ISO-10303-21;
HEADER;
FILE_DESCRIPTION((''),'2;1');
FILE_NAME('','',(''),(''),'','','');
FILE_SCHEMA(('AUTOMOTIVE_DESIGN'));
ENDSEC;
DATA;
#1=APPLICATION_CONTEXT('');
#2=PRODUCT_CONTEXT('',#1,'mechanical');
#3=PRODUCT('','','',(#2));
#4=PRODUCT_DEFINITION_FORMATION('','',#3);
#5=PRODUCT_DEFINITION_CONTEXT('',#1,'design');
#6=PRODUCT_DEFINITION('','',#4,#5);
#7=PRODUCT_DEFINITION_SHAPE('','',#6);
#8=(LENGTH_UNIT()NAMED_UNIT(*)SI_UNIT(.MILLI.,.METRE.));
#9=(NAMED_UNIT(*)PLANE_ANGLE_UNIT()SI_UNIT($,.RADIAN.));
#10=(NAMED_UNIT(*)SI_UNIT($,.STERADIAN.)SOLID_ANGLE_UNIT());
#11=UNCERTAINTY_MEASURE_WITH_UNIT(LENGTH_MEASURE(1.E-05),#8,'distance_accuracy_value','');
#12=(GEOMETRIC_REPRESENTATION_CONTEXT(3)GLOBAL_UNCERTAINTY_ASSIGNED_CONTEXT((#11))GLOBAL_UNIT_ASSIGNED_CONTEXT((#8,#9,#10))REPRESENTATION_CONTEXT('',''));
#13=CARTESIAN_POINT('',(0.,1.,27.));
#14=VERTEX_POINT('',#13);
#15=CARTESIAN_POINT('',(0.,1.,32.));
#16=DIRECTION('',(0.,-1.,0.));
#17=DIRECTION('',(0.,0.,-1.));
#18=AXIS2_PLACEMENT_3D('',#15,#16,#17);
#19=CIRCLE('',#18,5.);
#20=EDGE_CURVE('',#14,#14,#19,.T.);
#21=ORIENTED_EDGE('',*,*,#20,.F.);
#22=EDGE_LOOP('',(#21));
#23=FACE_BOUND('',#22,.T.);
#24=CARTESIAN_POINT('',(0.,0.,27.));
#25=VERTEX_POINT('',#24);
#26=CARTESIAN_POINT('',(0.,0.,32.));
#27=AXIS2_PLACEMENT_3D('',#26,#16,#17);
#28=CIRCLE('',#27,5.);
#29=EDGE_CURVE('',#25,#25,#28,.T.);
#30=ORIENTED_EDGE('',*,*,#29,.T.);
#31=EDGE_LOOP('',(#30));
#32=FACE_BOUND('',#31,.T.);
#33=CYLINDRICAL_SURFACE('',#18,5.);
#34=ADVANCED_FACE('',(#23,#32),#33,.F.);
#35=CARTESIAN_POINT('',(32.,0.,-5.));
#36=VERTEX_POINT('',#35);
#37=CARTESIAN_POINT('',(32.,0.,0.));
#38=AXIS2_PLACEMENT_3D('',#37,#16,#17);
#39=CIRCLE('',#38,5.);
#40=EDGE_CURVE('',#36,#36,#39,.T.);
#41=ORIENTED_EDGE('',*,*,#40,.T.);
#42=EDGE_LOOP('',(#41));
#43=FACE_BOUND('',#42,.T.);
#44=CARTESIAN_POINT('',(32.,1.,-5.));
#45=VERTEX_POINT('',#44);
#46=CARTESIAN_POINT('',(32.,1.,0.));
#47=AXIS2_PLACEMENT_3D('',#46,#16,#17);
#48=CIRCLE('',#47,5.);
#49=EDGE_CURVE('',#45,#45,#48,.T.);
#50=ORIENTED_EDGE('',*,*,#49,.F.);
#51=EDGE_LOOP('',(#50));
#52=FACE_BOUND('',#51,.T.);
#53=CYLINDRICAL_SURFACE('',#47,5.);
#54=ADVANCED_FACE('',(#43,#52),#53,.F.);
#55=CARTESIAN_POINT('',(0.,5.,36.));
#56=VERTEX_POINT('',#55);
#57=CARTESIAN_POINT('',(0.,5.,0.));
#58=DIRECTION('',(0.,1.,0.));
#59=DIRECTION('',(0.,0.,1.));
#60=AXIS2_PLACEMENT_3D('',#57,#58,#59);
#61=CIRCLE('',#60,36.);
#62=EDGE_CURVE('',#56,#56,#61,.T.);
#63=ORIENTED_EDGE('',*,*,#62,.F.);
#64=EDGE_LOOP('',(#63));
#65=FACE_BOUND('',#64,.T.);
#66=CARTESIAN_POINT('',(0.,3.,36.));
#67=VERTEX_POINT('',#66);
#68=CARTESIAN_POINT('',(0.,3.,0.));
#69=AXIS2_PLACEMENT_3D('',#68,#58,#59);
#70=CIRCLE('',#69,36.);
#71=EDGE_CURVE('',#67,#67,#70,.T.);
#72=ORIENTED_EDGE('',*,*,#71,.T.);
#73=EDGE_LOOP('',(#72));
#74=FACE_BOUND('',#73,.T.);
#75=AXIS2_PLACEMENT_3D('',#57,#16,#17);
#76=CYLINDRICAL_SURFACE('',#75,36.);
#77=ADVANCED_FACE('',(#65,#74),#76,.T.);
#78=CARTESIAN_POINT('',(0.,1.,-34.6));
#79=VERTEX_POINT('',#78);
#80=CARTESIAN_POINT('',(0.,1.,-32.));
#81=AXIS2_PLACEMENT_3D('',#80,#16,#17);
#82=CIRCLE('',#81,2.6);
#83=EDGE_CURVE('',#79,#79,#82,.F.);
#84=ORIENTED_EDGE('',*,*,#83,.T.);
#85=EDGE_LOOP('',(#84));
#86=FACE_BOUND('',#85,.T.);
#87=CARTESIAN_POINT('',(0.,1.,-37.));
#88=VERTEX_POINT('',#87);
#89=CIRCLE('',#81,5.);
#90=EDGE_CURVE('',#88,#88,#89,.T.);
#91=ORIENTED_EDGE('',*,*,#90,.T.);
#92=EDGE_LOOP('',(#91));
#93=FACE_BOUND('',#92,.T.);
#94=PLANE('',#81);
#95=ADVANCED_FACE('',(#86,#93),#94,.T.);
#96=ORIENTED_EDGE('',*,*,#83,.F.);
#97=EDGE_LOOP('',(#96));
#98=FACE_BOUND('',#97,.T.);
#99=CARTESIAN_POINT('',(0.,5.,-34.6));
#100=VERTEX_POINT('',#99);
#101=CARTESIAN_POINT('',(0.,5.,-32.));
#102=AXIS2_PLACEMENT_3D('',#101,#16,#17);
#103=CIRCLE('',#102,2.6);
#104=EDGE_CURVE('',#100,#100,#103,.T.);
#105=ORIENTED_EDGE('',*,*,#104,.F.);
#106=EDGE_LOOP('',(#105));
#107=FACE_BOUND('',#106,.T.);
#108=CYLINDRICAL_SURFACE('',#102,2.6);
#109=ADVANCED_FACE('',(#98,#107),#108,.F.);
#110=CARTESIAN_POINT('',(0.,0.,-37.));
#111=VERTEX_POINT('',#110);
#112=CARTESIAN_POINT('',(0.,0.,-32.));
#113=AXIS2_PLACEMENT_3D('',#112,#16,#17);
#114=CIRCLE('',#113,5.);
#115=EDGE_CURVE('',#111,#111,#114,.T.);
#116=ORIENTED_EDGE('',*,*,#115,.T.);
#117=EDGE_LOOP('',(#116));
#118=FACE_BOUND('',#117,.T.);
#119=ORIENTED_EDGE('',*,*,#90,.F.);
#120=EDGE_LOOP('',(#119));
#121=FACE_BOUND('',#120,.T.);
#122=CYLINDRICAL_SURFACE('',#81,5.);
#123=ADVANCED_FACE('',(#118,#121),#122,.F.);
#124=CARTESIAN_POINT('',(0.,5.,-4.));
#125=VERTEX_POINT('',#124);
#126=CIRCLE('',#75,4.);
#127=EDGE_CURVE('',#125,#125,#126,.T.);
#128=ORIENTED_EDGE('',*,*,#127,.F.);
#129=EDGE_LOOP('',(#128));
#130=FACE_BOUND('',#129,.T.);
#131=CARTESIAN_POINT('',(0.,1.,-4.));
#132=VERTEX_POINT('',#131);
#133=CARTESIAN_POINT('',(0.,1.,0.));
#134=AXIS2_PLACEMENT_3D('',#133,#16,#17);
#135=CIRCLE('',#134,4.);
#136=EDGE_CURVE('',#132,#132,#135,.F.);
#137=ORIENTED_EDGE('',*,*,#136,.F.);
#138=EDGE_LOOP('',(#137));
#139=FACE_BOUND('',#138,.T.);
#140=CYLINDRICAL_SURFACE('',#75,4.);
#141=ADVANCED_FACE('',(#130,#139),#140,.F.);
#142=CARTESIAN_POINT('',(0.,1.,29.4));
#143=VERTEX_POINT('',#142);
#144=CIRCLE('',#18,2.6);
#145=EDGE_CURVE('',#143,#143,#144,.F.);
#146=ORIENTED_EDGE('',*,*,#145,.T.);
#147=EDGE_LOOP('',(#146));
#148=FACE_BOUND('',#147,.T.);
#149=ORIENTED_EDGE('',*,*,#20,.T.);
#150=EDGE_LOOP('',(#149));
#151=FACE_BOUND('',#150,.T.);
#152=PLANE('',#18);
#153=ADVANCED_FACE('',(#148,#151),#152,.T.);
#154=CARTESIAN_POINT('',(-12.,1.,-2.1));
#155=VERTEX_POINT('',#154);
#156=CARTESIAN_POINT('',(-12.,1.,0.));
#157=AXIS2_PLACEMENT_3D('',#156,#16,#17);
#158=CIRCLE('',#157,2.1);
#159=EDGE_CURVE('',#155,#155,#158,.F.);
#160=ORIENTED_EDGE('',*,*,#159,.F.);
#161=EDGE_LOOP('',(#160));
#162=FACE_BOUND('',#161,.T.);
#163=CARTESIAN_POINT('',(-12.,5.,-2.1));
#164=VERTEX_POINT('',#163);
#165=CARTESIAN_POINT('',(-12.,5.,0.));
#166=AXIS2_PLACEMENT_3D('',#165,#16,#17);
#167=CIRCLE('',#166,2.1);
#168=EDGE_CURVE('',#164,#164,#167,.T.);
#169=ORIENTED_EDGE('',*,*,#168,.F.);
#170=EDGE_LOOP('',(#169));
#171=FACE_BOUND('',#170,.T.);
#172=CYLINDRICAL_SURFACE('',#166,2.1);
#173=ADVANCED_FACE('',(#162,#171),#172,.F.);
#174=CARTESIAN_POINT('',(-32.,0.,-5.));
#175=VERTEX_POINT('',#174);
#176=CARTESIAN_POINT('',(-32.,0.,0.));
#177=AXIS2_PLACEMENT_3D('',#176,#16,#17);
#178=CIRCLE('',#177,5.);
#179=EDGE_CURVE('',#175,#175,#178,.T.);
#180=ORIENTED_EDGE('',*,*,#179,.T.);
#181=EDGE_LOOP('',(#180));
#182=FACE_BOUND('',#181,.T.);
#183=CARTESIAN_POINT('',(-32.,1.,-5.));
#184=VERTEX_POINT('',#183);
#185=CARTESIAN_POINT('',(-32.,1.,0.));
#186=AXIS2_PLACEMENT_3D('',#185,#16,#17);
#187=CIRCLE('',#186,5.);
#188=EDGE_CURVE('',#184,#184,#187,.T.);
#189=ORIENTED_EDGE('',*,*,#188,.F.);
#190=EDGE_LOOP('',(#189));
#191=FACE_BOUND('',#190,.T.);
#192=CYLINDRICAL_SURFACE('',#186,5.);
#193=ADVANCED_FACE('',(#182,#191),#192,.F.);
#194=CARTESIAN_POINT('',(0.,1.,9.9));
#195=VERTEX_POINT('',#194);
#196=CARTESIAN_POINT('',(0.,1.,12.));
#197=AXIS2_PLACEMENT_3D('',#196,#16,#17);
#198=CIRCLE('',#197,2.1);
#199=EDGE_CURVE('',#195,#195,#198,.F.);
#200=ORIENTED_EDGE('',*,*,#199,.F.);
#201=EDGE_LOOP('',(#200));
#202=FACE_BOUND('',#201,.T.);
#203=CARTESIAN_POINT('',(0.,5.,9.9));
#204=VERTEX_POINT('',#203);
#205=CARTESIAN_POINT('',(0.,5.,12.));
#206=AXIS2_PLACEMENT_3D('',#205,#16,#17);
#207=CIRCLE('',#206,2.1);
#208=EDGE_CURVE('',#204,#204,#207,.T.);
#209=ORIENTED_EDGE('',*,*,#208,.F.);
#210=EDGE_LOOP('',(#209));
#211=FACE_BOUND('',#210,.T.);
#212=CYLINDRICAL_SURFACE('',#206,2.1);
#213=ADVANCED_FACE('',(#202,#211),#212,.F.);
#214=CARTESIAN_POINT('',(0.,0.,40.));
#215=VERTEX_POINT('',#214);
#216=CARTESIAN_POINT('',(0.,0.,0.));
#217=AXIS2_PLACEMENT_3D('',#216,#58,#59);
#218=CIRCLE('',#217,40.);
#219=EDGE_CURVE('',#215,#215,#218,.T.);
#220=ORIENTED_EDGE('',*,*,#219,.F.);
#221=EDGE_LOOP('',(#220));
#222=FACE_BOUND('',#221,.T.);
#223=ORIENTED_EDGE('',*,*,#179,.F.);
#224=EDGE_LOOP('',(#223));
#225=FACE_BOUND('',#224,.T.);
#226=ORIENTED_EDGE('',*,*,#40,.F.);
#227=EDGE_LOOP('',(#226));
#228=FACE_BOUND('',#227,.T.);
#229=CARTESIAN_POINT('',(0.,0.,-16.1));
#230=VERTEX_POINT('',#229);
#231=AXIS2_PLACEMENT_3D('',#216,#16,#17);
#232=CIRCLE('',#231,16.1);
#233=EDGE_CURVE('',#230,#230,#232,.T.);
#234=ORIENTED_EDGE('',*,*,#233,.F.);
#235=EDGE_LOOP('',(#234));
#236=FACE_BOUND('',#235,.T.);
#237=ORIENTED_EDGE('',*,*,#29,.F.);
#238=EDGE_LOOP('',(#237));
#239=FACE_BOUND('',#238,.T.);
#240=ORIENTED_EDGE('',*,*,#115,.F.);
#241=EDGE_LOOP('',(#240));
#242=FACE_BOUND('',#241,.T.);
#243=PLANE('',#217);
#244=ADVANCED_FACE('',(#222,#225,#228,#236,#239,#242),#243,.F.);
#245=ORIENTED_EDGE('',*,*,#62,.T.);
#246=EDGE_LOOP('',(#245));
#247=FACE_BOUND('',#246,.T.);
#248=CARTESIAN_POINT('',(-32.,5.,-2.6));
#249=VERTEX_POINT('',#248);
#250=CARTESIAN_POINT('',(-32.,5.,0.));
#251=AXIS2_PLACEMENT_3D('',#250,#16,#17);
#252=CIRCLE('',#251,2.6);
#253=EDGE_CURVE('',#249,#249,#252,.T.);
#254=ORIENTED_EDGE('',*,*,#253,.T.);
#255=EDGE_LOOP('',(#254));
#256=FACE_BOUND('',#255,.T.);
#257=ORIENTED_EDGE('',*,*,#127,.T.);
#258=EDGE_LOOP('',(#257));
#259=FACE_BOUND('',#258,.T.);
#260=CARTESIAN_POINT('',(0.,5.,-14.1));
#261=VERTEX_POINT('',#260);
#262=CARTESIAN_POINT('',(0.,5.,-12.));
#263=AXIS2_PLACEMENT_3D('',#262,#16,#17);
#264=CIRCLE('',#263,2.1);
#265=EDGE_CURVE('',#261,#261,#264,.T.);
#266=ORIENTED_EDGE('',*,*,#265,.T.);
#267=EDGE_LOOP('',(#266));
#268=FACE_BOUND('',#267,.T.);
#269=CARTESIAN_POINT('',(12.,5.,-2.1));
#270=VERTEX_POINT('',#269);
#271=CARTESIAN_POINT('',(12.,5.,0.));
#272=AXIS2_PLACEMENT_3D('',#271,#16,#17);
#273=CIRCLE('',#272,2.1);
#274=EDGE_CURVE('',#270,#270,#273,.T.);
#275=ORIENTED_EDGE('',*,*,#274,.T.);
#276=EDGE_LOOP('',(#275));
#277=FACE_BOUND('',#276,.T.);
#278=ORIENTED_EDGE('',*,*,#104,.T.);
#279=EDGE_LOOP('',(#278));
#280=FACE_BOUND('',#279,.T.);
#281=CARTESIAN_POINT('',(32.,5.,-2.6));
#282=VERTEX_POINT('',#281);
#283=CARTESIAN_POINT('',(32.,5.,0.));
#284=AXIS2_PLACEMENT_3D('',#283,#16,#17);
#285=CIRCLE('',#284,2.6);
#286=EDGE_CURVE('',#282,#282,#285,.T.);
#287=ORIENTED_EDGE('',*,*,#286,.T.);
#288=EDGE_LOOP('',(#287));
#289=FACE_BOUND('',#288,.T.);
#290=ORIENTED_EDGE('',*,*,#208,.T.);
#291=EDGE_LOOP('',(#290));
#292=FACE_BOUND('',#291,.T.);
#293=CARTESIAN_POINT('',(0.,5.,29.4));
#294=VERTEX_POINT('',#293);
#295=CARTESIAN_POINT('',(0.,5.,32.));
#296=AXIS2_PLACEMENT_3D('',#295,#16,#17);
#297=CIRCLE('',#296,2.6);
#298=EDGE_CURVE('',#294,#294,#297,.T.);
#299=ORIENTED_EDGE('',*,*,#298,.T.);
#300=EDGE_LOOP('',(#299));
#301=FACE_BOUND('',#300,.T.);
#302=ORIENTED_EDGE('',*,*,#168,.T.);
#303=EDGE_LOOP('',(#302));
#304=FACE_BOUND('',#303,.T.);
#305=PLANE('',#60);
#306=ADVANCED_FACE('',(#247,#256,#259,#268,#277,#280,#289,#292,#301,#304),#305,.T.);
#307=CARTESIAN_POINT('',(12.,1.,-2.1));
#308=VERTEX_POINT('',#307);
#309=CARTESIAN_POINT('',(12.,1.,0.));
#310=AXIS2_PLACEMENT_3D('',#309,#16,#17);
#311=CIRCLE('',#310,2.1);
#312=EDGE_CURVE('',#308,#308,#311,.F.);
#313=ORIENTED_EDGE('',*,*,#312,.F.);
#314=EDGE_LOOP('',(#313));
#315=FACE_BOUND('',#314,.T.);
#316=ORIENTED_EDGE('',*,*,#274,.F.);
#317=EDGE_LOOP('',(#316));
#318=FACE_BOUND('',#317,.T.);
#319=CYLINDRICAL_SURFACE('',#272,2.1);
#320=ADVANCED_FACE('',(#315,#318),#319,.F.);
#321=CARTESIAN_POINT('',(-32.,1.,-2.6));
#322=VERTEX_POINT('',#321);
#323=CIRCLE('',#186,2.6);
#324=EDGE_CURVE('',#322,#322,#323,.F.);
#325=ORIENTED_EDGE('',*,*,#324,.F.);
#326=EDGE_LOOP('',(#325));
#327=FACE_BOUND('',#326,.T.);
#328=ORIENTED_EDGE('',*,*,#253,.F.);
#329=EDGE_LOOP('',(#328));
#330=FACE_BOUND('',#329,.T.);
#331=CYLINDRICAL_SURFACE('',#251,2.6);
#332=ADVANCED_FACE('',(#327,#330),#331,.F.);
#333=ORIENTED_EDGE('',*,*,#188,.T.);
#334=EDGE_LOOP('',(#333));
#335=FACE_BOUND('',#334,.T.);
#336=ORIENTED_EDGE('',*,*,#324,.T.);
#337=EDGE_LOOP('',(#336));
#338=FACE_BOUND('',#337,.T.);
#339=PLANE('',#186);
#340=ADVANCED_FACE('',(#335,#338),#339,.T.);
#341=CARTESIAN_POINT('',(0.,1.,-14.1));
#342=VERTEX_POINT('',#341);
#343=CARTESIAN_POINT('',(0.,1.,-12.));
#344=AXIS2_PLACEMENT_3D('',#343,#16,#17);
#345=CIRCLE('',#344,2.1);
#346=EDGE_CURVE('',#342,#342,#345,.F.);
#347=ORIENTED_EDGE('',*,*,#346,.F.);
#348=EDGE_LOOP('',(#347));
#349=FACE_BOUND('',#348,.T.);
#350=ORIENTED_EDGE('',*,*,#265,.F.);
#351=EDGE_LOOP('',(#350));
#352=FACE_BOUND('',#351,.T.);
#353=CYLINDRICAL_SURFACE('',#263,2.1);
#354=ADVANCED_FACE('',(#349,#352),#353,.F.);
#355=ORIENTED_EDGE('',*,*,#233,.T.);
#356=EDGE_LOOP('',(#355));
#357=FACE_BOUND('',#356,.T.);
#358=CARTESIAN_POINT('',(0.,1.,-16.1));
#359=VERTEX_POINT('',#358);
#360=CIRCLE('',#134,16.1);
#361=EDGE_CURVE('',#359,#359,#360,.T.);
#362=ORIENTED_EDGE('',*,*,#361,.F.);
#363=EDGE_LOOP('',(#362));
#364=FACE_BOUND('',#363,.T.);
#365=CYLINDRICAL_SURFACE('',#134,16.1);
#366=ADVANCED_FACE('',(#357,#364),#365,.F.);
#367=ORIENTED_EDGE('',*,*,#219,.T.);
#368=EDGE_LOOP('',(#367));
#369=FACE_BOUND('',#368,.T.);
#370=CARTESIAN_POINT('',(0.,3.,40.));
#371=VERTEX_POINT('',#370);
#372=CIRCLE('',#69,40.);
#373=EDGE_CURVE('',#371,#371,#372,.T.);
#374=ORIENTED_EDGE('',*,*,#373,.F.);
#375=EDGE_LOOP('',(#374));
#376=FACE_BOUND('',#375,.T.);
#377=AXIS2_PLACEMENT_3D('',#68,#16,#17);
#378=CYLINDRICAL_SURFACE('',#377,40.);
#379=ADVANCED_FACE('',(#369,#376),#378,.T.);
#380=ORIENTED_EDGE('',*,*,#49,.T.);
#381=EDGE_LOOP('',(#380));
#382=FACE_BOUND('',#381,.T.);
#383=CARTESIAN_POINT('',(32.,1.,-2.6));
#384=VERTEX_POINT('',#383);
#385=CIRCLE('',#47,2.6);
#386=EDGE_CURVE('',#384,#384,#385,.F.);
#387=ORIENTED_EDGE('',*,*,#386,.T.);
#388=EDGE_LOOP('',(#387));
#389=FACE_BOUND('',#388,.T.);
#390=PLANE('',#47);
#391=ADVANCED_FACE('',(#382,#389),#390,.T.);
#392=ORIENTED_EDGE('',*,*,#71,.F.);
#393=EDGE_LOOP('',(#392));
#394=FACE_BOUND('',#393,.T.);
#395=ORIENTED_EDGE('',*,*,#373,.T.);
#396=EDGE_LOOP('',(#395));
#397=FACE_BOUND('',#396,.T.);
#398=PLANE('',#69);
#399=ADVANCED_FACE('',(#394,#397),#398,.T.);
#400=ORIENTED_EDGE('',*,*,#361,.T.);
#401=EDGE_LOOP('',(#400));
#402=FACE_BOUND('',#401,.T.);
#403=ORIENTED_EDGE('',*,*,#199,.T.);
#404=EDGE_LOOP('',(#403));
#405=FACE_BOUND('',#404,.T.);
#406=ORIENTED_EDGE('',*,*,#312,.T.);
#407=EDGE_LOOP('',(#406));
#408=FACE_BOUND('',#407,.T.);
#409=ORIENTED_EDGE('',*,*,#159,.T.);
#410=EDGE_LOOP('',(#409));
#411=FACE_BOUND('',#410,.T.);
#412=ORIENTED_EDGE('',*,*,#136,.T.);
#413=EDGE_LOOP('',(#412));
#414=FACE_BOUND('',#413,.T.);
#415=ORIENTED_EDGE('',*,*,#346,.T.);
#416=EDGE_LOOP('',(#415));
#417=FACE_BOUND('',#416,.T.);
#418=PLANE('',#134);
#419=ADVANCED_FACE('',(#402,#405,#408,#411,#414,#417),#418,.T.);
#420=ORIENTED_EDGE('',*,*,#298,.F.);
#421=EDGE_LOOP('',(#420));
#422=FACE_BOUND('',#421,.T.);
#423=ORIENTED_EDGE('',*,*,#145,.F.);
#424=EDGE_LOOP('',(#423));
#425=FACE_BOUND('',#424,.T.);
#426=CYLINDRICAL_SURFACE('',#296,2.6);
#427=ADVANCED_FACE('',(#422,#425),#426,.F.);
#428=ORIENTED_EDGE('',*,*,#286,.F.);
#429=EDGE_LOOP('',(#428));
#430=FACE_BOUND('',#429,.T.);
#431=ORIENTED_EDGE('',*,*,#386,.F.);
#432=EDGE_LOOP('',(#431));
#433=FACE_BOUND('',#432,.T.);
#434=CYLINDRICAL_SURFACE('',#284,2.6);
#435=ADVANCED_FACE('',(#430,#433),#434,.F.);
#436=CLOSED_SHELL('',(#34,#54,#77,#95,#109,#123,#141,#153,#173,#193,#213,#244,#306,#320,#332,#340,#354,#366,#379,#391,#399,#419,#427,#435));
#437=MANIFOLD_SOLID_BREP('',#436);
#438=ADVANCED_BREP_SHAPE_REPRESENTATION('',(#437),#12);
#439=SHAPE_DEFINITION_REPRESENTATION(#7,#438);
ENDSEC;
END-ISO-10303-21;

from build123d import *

# Parameters (mm, degrees)
SKETCH_1_R               = 40
EXTRUDE_1_DEPTH          = 3
SKETCH_2_R               = 36
EXTRUDE_2_DEPTH          = 2
CUT_EXTRUDE_1_DEPTH      = 57.789083458
CUT_EXTRUDE_1_DEPTH_BACK = 57.789083458
SKETCH_3_R               = 2.1
SKETCH_3_R_2             = 4
SKETCH_4_R               = 16.1
CUT_EXTRUDE_2_DEPTH      = 1
SKETCH_5_R               = 2.6
CUT_EXTRUDE_3_DEPTH      = 57.789083458
SKETCH_6_R               = 5
CUT_EXTRUDE_4_DEPTH      = 1


with BuildPart() as part:
    # 草图1 → 凸台-拉伸1 (new body)
    with BuildSketch(Plane(origin=(0, 0, 0), x_dir=(1, 0, 0), z_dir=(0, 1, 0))):
        with Locations(Location((0, 0, 0), (0, 0, 270))):
            Circle(SKETCH_1_R)
    extrude(amount=EXTRUDE_1_DEPTH)

    # 草图2 → 凸台-拉伸2 (add)
    with BuildSketch(Plane(origin=(0, 3, 0), x_dir=(1, 0, 0), z_dir=(0, 1, 0))):
        with Locations(Location((0, 0, 0), (0, 0, 270))):
            Circle(SKETCH_2_R)
    extrude(amount=EXTRUDE_2_DEPTH)

    # 草图3 → 切除-拉伸1 (cut, two sides: drawn at the far end of the back side and taken through both)
    with BuildSketch(Plane.XZ.offset(-CUT_EXTRUDE_1_DEPTH_BACK)):
        with Locations(Location((-12, 0, 0), (0, 0, 270))):
            Circle(SKETCH_3_R)
        with Locations(Location((0, 12, 0), (0, 0, 270))):
            Circle(SKETCH_3_R)
        with Locations(Location((12, 0, 0), (0, 0, 270))):
            Circle(SKETCH_3_R)
        with Locations(Location((0, -12, 0), (0, 0, 270))):
            Circle(SKETCH_3_R)
        with Locations(Location((0, 0, 0), (0, 0, 270))):
            Circle(SKETCH_3_R_2)
    extrude(amount=CUT_EXTRUDE_1_DEPTH + CUT_EXTRUDE_1_DEPTH_BACK, mode=Mode.SUBTRACT)

    # 草图4 → 切除-拉伸2 (cut)
    with BuildSketch(Plane.XZ):
        with Locations(Location((0, 0, 0), (0, 0, 270))):
            Circle(SKETCH_4_R)
    extrude(amount=-CUT_EXTRUDE_2_DEPTH, mode=Mode.SUBTRACT)

    # 草图5 → 切除-拉伸3 (cut, through all)
    with BuildSketch(Plane.XZ):
        with Locations(Location((-32, 0, 0), (0, 0, 270))):
            Circle(SKETCH_5_R)
        with Locations(Location((0, 32, 0), (0, 0, 270))):
            Circle(SKETCH_5_R)
        with Locations(Location((32, 0, 0), (0, 0, 270))):
            Circle(SKETCH_5_R)
        with Locations(Location((0, -32, 0), (0, 0, 270))):
            Circle(SKETCH_5_R)
    extrude(amount=-CUT_EXTRUDE_3_DEPTH, mode=Mode.SUBTRACT)

    # 草图6 → 切除-拉伸4 (cut)
    with BuildSketch(Plane.XZ):
        with Locations(Location((0, -32, 0), (0, 0, 270))):
            Circle(SKETCH_6_R)
        with Locations(Location((32, 0, 0), (0, 0, 270))):
            Circle(SKETCH_6_R)
        with Locations(Location((0, 32, 0), (0, 0, 270))):
            Circle(SKETCH_6_R)
        with Locations(Location((-32, 0, 0), (0, 0, 270))):
            Circle(SKETCH_6_R)
    extrude(amount=-CUT_EXTRUDE_4_DEPTH, mode=Mode.SUBTRACT)


solid = part.part
